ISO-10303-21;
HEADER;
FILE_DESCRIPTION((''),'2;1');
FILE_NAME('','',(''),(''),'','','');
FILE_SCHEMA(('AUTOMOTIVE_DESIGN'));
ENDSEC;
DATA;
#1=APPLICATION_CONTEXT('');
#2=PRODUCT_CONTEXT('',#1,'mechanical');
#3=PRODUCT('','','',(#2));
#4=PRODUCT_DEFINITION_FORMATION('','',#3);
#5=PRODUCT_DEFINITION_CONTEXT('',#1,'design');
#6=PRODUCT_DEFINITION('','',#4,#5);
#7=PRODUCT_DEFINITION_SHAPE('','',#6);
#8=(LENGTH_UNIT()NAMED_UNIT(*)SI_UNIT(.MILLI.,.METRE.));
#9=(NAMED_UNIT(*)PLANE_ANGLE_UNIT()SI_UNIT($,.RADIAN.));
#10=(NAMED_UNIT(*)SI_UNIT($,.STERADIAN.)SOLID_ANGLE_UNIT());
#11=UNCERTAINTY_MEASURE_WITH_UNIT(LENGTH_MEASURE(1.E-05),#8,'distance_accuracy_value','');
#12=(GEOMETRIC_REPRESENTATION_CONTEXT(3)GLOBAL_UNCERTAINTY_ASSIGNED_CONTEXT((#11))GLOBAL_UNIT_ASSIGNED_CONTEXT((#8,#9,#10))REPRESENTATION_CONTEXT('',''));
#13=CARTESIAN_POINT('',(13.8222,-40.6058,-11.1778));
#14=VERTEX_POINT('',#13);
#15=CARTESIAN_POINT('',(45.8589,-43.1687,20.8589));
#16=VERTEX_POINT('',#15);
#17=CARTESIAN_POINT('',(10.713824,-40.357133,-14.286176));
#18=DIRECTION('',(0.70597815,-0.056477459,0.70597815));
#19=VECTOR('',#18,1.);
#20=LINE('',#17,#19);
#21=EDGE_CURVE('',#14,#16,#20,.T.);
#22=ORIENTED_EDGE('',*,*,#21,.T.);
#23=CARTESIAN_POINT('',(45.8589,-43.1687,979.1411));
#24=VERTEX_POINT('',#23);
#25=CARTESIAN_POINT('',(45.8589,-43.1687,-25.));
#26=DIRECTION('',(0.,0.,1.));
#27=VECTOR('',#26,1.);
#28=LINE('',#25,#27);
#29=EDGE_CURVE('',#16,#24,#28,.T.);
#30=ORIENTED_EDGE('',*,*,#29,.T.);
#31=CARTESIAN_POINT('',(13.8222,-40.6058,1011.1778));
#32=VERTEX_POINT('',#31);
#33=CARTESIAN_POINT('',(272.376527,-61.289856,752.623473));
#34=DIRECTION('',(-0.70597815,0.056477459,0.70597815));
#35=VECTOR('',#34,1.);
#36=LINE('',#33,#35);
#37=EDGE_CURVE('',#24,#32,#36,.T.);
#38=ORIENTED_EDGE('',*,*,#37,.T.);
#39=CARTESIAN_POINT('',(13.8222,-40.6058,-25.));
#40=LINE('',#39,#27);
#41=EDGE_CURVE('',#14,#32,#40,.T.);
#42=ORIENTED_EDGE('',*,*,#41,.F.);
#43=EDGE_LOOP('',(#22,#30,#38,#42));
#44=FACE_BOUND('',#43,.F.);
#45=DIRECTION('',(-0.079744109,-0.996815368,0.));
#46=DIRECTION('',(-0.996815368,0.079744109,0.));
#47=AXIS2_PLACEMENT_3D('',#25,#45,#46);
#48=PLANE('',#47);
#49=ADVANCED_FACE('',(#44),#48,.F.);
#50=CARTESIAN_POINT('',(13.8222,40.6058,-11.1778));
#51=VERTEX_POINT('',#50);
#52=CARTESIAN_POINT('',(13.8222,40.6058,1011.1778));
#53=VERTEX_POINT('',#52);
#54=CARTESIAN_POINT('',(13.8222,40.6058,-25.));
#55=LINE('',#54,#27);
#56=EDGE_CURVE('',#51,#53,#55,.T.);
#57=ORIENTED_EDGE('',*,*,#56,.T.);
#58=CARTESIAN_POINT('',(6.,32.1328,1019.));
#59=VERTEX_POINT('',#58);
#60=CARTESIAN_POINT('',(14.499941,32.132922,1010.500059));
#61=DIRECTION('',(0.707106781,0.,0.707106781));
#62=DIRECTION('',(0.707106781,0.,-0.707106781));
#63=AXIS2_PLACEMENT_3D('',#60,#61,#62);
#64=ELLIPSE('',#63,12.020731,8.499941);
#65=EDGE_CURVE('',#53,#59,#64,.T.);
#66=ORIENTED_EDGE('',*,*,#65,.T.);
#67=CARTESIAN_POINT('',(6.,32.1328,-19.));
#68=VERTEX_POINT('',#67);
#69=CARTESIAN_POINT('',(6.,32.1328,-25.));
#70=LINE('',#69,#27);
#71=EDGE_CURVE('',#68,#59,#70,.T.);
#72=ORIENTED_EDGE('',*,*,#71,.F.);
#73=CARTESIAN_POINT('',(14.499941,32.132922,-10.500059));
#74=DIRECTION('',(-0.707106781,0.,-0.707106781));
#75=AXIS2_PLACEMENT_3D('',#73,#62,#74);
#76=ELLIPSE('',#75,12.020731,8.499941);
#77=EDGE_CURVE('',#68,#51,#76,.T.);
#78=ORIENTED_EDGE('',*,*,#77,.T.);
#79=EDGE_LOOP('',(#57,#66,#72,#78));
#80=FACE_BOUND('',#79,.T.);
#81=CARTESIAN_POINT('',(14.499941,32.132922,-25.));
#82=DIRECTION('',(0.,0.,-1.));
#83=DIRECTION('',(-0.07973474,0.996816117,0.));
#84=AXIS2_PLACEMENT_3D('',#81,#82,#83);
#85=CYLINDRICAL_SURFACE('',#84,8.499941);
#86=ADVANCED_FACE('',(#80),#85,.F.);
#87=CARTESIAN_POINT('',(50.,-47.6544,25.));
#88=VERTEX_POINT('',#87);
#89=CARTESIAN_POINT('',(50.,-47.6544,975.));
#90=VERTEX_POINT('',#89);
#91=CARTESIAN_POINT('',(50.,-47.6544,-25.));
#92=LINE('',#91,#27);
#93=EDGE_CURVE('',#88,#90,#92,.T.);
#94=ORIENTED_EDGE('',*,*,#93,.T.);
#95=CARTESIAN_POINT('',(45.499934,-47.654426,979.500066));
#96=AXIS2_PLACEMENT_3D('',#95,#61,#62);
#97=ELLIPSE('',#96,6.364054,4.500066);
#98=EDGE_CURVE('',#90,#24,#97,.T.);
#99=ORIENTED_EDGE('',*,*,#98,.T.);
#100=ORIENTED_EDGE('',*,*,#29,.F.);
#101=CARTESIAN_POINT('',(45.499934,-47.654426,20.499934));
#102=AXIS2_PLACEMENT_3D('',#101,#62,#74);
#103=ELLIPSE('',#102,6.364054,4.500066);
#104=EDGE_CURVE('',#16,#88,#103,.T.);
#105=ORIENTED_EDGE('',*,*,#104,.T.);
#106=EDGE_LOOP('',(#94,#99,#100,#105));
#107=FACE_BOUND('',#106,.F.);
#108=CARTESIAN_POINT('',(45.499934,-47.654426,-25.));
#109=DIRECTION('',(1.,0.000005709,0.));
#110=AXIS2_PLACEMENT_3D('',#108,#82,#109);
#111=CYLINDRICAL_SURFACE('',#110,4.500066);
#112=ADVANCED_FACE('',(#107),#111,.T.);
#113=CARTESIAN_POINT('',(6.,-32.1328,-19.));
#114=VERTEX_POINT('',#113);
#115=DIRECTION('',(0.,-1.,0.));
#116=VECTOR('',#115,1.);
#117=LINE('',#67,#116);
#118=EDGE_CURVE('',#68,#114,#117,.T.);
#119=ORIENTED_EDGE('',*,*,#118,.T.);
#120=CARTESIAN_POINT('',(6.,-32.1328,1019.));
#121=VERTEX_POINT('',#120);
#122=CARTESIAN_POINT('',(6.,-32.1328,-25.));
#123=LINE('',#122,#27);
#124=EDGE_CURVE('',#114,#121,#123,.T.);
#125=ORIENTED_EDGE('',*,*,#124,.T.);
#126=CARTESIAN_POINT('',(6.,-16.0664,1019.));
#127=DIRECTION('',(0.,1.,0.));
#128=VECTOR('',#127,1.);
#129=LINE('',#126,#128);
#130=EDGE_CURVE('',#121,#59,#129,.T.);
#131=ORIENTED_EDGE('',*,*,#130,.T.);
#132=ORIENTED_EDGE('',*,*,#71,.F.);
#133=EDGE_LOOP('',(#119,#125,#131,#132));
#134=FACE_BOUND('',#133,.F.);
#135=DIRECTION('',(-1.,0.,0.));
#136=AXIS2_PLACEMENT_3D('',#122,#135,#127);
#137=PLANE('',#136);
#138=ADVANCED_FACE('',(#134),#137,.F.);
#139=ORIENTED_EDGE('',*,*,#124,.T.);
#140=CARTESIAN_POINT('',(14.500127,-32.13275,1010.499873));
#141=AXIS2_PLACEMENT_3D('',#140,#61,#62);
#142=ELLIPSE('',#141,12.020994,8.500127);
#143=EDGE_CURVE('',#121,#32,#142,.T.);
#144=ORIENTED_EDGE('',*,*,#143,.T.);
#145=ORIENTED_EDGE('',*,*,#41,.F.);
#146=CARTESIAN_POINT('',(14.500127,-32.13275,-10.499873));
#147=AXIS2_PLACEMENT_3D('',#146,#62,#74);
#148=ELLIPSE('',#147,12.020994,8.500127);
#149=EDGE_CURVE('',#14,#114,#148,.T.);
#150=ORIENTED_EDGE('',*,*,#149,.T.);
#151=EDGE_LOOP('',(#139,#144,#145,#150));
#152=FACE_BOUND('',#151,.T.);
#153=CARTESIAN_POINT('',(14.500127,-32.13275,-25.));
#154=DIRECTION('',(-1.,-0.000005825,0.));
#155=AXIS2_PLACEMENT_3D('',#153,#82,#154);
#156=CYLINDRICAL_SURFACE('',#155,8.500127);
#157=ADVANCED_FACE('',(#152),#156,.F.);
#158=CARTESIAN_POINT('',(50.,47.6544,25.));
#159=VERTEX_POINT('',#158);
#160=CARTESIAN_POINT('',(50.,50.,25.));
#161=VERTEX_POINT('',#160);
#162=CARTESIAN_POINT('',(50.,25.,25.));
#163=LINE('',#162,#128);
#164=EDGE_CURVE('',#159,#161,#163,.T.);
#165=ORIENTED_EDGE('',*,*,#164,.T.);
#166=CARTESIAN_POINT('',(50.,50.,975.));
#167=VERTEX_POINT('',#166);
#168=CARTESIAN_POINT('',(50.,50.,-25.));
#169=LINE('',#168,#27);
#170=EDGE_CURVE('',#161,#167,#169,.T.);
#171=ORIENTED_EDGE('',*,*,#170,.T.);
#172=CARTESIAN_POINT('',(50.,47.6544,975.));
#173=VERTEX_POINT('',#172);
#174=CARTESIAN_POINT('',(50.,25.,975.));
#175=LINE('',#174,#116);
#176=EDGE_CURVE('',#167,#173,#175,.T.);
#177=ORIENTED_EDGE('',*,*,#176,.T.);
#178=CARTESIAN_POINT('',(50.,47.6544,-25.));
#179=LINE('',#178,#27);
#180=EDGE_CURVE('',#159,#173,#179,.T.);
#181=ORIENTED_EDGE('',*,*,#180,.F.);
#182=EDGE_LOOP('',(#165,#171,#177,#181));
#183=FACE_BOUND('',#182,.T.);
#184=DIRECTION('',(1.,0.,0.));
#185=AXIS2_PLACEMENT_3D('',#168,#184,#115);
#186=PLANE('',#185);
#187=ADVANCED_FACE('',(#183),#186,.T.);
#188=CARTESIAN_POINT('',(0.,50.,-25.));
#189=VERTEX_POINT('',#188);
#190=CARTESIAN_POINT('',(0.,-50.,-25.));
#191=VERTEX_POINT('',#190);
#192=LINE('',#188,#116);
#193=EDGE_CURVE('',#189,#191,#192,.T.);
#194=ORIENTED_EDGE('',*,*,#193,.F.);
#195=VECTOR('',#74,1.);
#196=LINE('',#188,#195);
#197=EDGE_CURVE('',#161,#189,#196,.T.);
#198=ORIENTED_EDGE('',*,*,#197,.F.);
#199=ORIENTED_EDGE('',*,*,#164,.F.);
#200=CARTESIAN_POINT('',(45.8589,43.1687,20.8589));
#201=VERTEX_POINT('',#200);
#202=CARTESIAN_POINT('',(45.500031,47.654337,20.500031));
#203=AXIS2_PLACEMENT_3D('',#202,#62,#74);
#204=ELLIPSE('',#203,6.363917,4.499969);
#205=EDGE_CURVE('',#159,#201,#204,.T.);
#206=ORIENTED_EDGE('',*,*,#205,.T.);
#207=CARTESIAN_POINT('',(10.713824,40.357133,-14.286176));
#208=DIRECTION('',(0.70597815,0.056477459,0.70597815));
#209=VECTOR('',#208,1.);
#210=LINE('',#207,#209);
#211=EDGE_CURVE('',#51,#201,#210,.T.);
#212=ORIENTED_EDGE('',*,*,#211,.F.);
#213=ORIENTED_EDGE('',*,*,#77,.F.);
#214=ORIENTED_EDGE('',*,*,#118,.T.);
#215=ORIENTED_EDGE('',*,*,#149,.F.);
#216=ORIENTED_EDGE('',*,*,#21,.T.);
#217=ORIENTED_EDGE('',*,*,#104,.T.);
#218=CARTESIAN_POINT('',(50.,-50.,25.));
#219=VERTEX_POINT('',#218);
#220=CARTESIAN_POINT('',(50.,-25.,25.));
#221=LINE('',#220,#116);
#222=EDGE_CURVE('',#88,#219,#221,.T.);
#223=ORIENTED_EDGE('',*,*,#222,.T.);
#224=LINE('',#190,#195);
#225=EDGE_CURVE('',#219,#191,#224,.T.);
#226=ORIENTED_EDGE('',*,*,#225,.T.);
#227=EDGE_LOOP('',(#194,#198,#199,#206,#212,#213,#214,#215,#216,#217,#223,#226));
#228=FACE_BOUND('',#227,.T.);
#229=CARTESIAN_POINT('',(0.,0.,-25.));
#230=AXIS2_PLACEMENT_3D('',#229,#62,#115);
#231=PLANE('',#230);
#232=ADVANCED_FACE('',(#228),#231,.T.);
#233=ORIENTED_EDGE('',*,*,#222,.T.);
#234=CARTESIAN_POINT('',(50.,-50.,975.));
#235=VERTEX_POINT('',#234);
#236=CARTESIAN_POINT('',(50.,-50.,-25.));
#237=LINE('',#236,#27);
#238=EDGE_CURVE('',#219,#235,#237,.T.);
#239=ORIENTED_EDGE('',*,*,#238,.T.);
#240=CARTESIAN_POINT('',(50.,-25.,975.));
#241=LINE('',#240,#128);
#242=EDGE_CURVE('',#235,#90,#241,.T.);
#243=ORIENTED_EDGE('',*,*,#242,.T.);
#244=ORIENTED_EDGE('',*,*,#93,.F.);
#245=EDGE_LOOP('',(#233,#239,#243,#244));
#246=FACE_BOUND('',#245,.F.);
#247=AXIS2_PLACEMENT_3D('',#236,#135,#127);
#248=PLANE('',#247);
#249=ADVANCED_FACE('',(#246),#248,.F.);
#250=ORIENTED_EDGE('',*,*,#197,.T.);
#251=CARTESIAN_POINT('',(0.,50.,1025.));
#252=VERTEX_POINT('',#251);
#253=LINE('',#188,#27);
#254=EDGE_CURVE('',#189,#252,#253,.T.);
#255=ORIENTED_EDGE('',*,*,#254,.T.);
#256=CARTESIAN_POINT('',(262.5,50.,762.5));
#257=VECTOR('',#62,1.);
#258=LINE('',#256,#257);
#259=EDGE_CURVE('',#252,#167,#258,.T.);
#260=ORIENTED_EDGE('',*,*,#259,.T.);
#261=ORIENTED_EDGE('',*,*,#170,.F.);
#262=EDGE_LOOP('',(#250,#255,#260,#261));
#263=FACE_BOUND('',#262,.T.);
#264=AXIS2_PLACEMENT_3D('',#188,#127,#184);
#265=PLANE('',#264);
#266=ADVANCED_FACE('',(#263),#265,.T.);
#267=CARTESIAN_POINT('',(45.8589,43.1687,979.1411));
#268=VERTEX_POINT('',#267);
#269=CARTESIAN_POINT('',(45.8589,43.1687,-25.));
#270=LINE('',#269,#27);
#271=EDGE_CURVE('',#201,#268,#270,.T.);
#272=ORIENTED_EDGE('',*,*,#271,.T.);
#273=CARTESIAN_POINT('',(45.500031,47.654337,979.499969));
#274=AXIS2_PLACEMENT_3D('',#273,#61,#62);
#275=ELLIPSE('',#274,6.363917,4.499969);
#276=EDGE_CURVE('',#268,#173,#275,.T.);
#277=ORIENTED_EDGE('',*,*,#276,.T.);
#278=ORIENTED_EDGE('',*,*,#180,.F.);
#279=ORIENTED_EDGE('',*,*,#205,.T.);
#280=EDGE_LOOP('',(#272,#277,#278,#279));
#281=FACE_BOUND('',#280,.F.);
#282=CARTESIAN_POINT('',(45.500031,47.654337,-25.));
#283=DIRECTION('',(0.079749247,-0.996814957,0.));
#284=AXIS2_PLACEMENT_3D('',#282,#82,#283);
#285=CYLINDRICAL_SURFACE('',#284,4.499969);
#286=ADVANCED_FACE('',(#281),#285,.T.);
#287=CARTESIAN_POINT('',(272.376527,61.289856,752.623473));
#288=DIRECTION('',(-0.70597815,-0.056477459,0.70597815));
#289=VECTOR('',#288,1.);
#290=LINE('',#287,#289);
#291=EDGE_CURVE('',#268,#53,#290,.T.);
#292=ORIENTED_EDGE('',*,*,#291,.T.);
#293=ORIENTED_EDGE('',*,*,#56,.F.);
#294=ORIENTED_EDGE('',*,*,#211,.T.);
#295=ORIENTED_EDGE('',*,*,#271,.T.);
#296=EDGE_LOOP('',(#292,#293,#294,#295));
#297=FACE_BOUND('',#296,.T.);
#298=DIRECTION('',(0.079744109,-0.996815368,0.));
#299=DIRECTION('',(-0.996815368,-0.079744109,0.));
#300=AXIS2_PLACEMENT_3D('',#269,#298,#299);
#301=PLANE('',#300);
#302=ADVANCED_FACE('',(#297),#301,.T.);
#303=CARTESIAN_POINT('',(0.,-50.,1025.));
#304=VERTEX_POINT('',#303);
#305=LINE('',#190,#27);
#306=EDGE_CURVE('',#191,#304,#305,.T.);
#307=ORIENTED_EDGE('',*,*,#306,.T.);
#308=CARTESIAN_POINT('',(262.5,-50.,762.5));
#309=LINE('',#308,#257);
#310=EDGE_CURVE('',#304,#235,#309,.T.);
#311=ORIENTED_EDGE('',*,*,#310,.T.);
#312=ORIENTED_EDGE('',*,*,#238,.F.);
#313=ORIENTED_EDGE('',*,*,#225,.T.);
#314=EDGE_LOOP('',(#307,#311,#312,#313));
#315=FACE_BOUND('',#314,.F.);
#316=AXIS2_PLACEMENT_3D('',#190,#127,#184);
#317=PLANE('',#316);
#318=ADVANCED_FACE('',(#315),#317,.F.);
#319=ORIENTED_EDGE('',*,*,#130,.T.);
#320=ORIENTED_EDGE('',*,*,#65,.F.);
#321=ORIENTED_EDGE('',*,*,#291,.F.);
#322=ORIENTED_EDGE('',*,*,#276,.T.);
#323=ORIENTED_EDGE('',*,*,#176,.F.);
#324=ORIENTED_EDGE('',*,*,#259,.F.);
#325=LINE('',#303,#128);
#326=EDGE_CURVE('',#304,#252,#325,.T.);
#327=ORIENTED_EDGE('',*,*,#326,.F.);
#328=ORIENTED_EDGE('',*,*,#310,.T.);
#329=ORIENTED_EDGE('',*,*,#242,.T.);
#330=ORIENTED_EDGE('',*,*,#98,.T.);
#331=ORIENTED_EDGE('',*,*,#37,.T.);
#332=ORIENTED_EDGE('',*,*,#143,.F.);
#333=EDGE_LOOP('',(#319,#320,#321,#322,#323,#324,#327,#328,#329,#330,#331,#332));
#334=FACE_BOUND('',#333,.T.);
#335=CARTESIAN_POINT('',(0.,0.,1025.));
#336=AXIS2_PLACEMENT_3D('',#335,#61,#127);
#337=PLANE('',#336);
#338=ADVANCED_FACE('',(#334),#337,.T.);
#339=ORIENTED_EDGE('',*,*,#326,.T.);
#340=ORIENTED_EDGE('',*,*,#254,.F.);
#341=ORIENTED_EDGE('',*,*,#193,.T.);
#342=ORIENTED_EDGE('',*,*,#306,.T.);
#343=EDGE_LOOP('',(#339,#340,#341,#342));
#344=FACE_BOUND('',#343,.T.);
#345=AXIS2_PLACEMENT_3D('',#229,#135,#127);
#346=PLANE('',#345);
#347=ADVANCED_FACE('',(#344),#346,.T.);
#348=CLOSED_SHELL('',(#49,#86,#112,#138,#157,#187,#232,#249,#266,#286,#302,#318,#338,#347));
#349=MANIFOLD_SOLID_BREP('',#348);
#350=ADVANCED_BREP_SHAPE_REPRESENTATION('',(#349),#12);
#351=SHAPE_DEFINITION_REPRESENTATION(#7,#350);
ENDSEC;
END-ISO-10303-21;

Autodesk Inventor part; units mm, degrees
ref_plane "Начальная плоскость" through (0, 0, -25) normal (0, 0, 1) x (1, 0, 0)
ref_plane "Конечная плоскость" through (0, 0, 1025) normal (0, 0, 1) x (1, 0, 0)
sketch "Эскиз" plane through (0, 0, 0) normal (0, 0, 1) x (1, 0, 0)
  line L0 (0, 0) -> (0, 50)
  line L1 (0, 50) -> (50, 50)
  line L2 (50, 50) -> (50, 47.6544)
  line L3 (45.8589, 43.1687) -> (13.8222, 40.6058)
  line L4 (6, 32.1328) -> (6, 0)
  line L5 (6, 0) -> (0, 0) construction
  line L6 (25, 50) -> (25, 41.5) construction
  line L7 (50, 43.5) -> (50, 41.5) construction
  line L8 (50, 41.5) -> (25, 41.5) construction
  line L9 (0, 15) -> (0, -27) construction
  line L10 (-5.539, 0) -> (16.0067, 0) construction
  line L11 (0, 0) -> (0, -50)
  line L12 (0, -50) -> (50, -50)
  line L13 (50, -50) -> (50, -47.6544)
  line L14 (45.8589, -43.1687) -> (13.8222, -40.6058)
  line L15 (6, -32.1328) -> (6, 0)
  arc A0 (13.8222, 40.6058) -> (6, 32.1328) centre (14.5, 32.1328) ccw
  arc A1 (6, -32.1328) -> (13.8222, -40.6058) centre (14.5, -32.1328) ccw
  arc A2 (45.8589, 43.1687) -> (50, 47.6544) centre (45.5, 47.6544) ccw
  arc A3 (50, -47.6544) -> (45.8589, -43.1687) centre (45.5, -47.6544) ccw
  line L16 (0, 70) -> (0, -70) construction
  line L17 (-16.8222, 0) -> (62.1602, 0) construction
  point P0 (6, 39.98)
  point P1 (50, -43.5)
  point P2 (6, -39.98)
  point P3 (25, -50)
  point P4 (25, -41.5)
  dimension "d0" = 6
  dimension "d1" = 50
  dimension "d2" = 50
  dimension "d3" = 8.5
  dimension "d4" = 25
  dimension "d5" = 2
  dimension "d23" = 8.5
  dimension "d24" = 4.5
  dimension "d25" = 0
extrude "Тело" add sketch "Эскиз" along normal up to surface (1050 mm away) from surface at -25
sketch "Sketch3" plane through (0, 0, 0) normal (0, 0, 1) x (1, 0, 0)
  line L0 (0, 0) -> (10, 0)
ref_plane "Work Plane3" through (0, 0, 0) normal (0, -1, 0) x (1, 0, 0)
sketch "Sketch4" plane through (0, 0, 0) normal (0, -1, 0) x (1, 0, 0)
  line L0 (-2, -25) -> (12, -25)
  line L1 (-2, 1025) -> (12, 1025)
  dimension "d29" = 1050
ref_plane "РабПлоскость4" through (0, 0, -25) normal (0.7071, 0, -0.7071) x (-0.7071, 0, -0.7071)
split "Разделение1" plane through (0, 0, -25) removes the side toward (0.7071, 0, -0.7071)
ref_plane "РабПлоскость5" through (0, 0, 1025) normal (0.7071, 0, 0.7071) x (0.7071, 0, -0.7071)
split "Разделение2" plane through (0, 0, 1025) removes the side toward (0.7071, 0, 0.7071)
equation "\"d0\" = G_T"
equation "\"d1\" = 0.5 * G_H"
equation "\"d2\" = G_W"
equation "\"d3\" = G_T1"
equation "\"d4\" = G_C"
equation "\"d23\" = G_IR"
equation "\"d24\" = G_ER"
equation "\"d6\" = G_L"
equation "\"G_W\" = 50"
equation "\"G_T\" = 6"
equation "\"G_T1\" = 8.5"
equation "\"G_NG\" = 0.08"
equation "\"G_ER\" = 4.5"
equation "\"G_IR\" = 8.5"
equation "\"G_C\" = 25"
equation "\"G_L\" = d29"
equation "\"ex\" = 0"
equation "\"G_OFFSET_START\" = 25"
equation "\"G_OFFSET_END\" = 25"
equation "\"d26\" = -G_OFFSET_START"
equation "\"d27\" = G_OFFSET_END + B_L"
equation "\"G_H\" = 100"
equation "\"B_L\" = 1000"
properties part number "DIN1026 - U 100 - 1050" material "Сталь, углеродистая"
